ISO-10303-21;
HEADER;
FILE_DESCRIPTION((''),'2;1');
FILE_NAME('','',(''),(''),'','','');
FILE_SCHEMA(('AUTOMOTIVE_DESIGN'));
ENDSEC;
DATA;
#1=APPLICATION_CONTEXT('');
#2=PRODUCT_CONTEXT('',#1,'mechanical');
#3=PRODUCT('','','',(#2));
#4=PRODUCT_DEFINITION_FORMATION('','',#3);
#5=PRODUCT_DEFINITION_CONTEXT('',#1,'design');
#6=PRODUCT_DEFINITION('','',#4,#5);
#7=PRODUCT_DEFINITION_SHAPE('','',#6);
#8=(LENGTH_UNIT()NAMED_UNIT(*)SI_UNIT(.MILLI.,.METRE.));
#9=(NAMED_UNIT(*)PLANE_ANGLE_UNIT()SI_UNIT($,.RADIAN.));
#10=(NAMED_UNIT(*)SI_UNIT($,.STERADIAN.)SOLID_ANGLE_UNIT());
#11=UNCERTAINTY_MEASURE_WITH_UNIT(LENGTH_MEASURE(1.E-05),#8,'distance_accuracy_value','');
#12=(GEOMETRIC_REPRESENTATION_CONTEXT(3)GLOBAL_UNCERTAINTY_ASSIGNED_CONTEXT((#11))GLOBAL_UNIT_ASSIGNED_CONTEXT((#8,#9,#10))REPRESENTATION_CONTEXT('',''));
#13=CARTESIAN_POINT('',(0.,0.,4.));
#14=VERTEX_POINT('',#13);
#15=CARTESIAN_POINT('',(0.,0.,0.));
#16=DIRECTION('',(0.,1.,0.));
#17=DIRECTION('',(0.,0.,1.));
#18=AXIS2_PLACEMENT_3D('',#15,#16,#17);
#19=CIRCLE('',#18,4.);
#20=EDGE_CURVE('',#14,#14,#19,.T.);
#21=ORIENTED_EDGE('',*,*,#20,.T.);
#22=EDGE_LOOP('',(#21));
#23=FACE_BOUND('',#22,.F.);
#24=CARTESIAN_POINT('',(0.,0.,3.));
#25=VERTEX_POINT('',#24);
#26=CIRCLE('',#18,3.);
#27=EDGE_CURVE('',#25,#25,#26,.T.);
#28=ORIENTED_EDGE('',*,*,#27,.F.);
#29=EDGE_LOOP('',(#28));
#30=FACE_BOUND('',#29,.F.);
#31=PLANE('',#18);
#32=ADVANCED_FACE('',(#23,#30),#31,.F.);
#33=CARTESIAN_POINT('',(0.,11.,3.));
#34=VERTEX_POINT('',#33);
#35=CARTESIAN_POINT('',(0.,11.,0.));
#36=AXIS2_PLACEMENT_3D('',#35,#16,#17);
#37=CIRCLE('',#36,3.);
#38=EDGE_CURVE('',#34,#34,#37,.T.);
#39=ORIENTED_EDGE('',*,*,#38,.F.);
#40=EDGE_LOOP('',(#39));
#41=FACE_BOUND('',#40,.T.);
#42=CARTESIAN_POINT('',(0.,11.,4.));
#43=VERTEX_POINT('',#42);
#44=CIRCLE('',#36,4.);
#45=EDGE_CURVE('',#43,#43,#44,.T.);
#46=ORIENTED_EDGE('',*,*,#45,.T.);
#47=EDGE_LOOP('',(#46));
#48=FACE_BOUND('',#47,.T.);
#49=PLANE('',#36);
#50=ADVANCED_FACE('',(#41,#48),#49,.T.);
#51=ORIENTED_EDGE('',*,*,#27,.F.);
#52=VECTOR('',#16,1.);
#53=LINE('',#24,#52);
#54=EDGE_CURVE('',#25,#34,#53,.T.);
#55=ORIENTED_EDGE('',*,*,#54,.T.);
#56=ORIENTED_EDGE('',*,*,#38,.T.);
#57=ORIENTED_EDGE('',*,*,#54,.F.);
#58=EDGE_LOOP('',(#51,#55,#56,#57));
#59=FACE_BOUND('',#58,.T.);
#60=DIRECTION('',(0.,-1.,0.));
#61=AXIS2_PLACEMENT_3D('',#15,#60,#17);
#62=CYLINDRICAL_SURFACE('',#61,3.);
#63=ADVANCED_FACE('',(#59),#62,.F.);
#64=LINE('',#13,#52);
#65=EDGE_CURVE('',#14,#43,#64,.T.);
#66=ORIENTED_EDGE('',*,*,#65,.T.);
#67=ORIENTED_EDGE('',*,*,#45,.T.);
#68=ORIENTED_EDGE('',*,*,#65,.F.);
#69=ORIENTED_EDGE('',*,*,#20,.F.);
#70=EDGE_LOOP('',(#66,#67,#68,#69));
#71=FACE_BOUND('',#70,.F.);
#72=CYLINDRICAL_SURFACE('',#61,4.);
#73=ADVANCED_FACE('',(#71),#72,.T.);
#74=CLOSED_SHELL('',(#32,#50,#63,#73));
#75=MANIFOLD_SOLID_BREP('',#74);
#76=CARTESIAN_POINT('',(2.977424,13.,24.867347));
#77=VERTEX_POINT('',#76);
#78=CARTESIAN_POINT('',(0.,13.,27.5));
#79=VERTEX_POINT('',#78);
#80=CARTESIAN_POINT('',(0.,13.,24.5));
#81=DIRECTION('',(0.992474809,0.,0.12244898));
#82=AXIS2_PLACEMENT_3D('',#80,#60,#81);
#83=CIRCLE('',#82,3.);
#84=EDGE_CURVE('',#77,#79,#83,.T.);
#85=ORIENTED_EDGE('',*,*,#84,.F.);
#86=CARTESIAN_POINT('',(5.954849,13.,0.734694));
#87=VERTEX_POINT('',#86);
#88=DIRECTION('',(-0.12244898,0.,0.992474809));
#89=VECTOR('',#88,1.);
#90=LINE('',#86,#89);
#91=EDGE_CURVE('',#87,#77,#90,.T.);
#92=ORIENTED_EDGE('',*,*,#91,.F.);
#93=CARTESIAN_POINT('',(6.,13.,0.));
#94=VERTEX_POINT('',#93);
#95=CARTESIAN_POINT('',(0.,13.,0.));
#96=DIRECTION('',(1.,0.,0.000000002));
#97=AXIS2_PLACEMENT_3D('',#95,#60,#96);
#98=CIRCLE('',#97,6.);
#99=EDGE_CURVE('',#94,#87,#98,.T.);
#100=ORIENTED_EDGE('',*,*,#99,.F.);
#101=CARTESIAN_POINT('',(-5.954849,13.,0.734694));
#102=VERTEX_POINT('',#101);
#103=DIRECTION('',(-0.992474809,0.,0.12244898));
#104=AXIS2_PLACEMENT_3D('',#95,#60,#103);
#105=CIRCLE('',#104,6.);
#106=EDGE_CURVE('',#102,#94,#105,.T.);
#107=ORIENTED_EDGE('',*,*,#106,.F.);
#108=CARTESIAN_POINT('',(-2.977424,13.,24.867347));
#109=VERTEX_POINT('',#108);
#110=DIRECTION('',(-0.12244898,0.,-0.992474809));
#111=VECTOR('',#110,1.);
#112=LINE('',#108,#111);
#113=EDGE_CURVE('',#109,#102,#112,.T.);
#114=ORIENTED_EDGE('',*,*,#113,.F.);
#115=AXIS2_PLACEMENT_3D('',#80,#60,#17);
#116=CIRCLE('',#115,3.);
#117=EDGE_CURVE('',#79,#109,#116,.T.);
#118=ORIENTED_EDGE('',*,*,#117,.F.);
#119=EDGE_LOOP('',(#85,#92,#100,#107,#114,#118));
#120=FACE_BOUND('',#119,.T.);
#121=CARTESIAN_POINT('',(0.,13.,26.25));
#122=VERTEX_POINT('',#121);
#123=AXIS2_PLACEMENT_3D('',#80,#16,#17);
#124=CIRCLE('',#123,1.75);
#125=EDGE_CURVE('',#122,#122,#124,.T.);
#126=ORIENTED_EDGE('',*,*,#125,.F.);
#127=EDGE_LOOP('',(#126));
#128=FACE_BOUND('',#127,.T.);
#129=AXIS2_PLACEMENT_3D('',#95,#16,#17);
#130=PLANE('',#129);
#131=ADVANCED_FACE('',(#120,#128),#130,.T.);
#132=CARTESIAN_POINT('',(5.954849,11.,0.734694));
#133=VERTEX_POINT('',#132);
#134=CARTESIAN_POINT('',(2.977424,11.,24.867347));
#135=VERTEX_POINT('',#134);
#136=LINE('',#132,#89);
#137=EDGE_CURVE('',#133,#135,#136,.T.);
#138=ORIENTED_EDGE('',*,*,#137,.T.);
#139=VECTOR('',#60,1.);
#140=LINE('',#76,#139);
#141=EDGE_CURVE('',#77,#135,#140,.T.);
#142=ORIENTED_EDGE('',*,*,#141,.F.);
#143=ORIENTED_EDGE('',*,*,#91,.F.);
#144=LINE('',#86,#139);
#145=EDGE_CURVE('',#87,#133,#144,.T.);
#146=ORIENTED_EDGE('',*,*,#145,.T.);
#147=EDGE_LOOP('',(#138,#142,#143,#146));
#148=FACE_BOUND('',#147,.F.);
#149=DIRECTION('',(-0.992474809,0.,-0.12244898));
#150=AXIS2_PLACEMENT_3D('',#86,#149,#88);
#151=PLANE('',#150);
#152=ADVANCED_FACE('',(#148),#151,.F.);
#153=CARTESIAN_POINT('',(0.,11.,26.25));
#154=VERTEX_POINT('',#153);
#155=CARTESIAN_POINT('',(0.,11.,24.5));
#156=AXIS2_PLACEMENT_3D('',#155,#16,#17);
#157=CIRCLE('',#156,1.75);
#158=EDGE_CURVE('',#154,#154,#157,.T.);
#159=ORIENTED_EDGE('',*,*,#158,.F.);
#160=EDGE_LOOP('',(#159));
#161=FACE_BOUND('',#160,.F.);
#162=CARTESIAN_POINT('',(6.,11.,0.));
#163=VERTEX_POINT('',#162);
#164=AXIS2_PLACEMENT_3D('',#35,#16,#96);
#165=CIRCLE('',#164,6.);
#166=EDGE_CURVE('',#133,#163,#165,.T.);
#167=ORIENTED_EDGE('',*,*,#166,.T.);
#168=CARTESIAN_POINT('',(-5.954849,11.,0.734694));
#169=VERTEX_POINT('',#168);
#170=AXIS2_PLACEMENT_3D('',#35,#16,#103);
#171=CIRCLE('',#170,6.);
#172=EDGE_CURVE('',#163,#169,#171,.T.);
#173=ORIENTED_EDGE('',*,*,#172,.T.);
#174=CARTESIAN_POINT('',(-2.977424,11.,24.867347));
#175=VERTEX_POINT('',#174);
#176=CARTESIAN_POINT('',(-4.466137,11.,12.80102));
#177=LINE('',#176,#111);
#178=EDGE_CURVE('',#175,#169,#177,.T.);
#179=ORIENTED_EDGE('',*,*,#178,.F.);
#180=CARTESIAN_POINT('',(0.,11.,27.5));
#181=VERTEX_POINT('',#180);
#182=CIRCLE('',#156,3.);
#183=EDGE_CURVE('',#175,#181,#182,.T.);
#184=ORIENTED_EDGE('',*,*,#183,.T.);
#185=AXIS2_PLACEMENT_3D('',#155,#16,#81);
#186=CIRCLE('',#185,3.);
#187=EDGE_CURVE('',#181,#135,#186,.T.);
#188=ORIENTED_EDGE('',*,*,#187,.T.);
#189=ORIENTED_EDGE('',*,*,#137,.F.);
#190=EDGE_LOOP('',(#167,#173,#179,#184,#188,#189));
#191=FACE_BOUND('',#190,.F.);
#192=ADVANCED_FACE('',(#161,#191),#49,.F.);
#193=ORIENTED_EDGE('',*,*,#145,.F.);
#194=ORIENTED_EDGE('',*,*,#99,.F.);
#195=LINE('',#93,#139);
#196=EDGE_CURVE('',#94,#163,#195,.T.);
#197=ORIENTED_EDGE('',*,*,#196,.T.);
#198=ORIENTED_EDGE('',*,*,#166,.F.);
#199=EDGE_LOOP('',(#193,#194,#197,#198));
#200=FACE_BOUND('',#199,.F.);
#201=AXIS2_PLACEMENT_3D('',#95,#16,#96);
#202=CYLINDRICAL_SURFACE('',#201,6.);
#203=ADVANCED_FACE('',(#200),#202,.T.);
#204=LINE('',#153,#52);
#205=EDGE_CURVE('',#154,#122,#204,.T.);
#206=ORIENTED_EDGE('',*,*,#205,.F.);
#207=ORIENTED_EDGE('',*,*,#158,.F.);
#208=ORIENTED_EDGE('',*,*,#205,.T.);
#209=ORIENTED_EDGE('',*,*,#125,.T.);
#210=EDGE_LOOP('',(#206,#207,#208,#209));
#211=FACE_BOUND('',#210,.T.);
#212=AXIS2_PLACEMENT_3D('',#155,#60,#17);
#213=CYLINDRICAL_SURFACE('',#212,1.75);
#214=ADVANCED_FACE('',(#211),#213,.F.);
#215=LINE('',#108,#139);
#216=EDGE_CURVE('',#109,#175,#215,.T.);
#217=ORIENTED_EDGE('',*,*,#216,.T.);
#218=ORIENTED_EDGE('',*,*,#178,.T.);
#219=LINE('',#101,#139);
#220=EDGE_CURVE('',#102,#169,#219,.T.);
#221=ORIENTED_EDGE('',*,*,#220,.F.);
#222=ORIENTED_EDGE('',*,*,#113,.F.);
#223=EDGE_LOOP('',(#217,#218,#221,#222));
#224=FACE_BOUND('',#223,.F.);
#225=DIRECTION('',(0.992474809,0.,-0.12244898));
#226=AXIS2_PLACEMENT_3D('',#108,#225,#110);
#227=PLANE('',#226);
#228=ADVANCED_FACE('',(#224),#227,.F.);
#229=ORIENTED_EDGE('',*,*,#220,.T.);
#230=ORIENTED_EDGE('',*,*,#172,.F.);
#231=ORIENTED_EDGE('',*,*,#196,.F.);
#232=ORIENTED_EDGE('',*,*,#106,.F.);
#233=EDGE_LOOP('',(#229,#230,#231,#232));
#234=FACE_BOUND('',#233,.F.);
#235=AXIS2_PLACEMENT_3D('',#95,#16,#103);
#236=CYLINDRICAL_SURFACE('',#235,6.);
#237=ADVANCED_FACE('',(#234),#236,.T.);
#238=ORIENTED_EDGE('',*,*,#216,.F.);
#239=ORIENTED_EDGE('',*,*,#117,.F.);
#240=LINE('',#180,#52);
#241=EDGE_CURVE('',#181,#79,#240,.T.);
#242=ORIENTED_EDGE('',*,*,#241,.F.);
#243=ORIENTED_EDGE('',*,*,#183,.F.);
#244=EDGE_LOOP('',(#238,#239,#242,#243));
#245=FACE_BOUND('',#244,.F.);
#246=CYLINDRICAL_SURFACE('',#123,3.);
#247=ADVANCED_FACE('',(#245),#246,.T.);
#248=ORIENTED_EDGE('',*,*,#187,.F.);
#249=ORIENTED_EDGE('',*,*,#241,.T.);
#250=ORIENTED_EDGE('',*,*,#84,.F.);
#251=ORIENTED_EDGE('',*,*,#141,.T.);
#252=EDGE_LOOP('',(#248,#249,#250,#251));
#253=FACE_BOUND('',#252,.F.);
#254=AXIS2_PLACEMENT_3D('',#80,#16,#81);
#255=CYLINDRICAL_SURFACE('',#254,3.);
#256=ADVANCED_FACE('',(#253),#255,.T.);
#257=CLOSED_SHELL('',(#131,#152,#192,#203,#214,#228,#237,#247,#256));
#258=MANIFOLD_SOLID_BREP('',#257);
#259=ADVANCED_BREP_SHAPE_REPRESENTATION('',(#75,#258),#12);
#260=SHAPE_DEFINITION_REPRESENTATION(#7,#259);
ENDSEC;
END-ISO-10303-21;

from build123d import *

# Parameters (mm, degrees)
SKETCH1_R           = 4
SKETCH1_R_2         = 3
BOSS_EXTRUDE1_DEPTH = 11
SKETCH2_R           = 27.5
SKETCH2_R_2         = 1.75
BOSS_EXTRUDE2_DEPTH = 2
SKETCH3_R           = 41.685165186
SKETCH3_R_2         = 27.5
CUT_EXTRUDE2_DEPTH  = 42.006097108


with BuildPart() as part:
    # Sketch1 → Boss-Extrude1 (new body)
    with BuildSketch(Plane(origin=(0, 0, 0), x_dir=(1, 0, 0), z_dir=(0, 1, 0))):
        with Locations(Location((0, 0, 0), (0, 0, 270))):
            Circle(SKETCH1_R)
        with Locations(Location((0, 0, 0), (0, 0, 270))):
            Circle(SKETCH1_R_2, mode=Mode.SUBTRACT)
    extrude(amount=BOSS_EXTRUDE1_DEPTH)


with BuildPart() as body_2:
    # Sketch2 → Boss-Extrude2 (new body)
    with BuildSketch(Plane(origin=(0, 11, 0), x_dir=(1, 0, 0), z_dir=(0, 1, 0))):
        with Locations(Location((0, 0, 0), (0, 0, 270))):
            Circle(SKETCH2_R)
        with Locations(Location((0, -24.5, 0), (0, 0, 270))):
            Circle(SKETCH2_R_2, mode=Mode.SUBTRACT)
    extrude(amount=BOSS_EXTRUDE2_DEPTH)

    # Sketch3 → Cut-Extrude2 (cut, through all)
    with BuildSketch(Plane(origin=(0, 13, 0), x_dir=(1, 0, 0), z_dir=(0, 1, 0))):
        Circle(SKETCH3_R)
        Circle(SKETCH3_R_2, mode=Mode.SUBTRACT)
        with BuildLine():
            ThreePointArc((27.5, 0), (-19.445436483, 19.445436483), (0, -27.5))
            ThreePointArc((0, -27.5), (19.445436483, -19.445436483), (27.5, 0))
        make_face()
        with BuildLine():
            ThreePointArc((0, -27.5), (-1.987203963, -26.747447532), (-2.977424428, -24.867346939))
            Line((-2.977424428, -24.867346939), (-5.954848857, -0.734693878))
            ThreePointArc((-5.954848857, -0.734693878), (-0.368039984, 5.988701576), (6, 0))
            ThreePointArc((6, 0), (5.988701576, -0.368039984), (5.954848857, -0.734693878))
            Line((5.954848857, -0.734693878), (2.977424428, -24.867346939))
            ThreePointArc((2.977424428, -24.867346939), (1.987203963, -26.747447532), (0, -27.5))
        make_face(mode=Mode.SUBTRACT)
    extrude(amount=-CUT_EXTRUDE2_DEPTH, mode=Mode.SUBTRACT)


solid = Compound([part.part, body_2.part])
